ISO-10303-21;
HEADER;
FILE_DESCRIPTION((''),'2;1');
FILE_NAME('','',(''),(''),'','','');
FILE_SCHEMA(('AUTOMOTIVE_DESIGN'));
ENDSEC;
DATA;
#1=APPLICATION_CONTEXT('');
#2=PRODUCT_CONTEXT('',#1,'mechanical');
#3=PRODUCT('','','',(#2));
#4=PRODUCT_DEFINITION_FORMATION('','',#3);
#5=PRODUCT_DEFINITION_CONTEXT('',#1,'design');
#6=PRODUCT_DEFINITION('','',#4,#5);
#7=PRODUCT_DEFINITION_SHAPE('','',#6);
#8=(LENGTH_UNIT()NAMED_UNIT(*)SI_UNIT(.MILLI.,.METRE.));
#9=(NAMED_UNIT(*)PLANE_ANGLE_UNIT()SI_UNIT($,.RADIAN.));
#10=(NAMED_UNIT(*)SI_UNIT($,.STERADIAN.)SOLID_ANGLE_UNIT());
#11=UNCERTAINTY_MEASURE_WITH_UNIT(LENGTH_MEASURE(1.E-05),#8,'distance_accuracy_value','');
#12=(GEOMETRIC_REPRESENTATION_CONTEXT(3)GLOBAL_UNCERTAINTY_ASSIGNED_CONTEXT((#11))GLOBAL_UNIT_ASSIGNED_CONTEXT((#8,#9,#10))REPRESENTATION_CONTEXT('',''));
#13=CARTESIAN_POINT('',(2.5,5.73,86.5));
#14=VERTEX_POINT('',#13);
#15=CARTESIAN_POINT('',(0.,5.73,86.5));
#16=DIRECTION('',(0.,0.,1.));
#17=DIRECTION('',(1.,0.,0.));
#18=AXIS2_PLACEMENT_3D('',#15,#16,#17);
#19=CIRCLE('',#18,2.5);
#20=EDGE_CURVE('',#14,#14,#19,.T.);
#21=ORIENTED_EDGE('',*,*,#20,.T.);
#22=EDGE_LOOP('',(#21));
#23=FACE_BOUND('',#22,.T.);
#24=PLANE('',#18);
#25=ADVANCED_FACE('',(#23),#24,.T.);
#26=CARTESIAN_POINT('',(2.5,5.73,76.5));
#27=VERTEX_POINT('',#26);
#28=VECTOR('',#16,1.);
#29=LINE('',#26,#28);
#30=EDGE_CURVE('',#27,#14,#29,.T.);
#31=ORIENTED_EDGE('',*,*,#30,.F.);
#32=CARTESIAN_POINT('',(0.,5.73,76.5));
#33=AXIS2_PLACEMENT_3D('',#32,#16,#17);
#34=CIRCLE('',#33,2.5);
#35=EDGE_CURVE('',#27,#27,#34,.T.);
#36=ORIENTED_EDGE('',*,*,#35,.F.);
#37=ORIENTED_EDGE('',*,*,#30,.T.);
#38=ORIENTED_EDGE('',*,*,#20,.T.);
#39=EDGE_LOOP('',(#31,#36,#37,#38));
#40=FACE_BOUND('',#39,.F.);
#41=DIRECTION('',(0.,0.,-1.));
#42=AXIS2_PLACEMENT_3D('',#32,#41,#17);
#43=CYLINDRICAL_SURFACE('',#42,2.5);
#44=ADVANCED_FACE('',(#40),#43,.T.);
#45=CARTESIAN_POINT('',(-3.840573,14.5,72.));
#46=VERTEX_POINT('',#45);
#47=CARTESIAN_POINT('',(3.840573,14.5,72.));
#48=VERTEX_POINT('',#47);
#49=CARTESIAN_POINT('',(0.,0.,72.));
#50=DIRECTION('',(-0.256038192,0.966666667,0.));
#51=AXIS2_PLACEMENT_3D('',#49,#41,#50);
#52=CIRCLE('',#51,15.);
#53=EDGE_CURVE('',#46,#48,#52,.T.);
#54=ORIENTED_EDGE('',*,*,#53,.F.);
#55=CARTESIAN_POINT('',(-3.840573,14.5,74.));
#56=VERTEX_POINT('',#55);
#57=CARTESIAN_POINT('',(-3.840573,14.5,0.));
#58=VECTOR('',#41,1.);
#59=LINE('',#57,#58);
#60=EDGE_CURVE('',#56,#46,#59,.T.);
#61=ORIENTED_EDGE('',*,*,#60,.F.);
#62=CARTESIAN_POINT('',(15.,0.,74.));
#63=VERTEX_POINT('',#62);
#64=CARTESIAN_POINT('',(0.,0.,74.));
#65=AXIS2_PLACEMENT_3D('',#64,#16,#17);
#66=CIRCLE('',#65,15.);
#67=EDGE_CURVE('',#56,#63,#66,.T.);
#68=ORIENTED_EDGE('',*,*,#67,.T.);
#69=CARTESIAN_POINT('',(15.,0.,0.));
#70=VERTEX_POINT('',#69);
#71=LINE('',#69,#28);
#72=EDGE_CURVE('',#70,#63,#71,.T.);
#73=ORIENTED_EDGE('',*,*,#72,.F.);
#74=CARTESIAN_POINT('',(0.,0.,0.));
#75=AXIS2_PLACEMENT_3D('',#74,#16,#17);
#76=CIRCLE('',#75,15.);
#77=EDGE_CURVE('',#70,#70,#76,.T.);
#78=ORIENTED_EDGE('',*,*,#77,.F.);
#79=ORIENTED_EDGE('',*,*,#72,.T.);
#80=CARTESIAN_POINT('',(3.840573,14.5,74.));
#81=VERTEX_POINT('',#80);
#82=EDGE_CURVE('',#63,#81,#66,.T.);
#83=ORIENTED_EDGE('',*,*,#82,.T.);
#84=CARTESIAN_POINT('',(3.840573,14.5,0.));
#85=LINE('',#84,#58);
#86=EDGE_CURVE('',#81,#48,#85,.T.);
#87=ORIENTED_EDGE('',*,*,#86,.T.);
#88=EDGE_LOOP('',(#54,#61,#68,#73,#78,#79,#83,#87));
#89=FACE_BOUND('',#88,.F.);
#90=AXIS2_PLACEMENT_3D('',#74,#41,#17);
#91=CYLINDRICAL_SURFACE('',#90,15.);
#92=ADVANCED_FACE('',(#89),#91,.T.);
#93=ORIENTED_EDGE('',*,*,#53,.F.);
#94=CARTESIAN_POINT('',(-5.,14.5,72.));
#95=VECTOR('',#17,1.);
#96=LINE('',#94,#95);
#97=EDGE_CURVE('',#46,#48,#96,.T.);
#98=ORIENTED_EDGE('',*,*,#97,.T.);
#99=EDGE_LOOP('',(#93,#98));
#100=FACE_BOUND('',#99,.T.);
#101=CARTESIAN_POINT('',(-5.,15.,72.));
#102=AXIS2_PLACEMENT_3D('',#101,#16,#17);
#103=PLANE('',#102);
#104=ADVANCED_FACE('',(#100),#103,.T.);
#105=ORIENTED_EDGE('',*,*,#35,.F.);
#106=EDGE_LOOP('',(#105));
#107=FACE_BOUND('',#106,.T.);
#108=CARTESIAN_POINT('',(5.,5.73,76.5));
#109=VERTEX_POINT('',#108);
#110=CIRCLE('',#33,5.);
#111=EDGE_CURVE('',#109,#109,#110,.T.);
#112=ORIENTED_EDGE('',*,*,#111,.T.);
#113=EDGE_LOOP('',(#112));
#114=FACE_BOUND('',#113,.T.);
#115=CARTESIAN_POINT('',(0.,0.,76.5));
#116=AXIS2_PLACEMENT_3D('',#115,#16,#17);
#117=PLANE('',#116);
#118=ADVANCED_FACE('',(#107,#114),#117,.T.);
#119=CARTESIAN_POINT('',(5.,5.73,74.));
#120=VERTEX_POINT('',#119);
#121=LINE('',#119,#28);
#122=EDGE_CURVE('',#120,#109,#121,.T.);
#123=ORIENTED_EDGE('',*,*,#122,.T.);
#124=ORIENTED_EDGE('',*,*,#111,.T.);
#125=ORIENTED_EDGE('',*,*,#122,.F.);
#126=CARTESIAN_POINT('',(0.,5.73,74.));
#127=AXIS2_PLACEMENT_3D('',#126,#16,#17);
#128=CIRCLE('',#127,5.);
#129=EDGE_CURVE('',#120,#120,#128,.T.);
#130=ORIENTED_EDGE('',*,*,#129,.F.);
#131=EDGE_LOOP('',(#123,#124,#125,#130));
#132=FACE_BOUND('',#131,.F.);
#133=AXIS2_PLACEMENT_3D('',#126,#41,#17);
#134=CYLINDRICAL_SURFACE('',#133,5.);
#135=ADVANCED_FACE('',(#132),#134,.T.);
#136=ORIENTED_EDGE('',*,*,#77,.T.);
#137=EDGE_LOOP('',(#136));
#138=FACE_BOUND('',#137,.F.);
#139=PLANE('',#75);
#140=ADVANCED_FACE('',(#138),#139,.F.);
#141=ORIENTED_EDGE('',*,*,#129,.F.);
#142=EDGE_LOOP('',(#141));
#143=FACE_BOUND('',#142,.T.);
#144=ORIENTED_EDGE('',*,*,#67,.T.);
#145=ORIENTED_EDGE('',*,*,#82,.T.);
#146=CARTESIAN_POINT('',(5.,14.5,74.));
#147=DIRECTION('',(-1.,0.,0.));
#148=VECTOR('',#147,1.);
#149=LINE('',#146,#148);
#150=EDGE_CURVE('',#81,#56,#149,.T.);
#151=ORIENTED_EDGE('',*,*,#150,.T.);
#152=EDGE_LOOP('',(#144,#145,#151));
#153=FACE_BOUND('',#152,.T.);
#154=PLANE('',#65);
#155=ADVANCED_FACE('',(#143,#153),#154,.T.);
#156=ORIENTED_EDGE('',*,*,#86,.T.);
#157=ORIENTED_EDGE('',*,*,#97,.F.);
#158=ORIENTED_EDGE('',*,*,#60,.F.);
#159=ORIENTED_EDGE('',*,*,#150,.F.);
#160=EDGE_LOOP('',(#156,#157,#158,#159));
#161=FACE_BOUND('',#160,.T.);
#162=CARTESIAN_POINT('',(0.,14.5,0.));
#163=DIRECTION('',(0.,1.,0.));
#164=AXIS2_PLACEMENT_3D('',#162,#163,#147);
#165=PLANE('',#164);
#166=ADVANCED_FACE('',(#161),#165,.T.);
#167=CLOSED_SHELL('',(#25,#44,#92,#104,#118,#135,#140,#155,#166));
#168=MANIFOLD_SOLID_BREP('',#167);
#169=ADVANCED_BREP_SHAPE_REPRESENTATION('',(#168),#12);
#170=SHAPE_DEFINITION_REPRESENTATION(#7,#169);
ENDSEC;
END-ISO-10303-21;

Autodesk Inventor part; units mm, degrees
ref_plane "YZ Plane" through (0, 0, 0) normal (1, 0, 0) x (0, 1, 0)
ref_plane "XY Plane" through (0, 0, 0) normal (0, 0, 1) x (1, 0, 0)
sketch "Sketch1" plane through (0, 0, 0) normal (0, 0, 1) x (1, 0, 0)
  circle A0 centre (0, 0) radius 15
  dimension "d0" = 30
extrude "Extrusion1" add sketch "Sketch1" along normal blind 74
sketch "Sketch2" plane through (0, 0, 74) normal (0, 0, 1) x (1, 0, 0)
  circle A0 centre (0, 0) radius 15 projected
  circle A1 centre (0, 5.73) radius 5
  dimension "d3" = 10
  dimension "d4" = 15.73
extrude "Extrusion2" add sketch "Sketch2" along normal blind 2.5 contours A1
sketch "Sketch3" plane through (0, 5.73, 76.5) normal (0, 0, 1) x (1, 0, 0)
  circle A0 centre (0, 0) radius 5 projected
  circle A1 centre (0, 0) radius 2.5
  point P0 (0, -5.73)
  dimension "d7" = 5
extrude "Extrusion3" add sketch "Sketch3" along normal blind 10 contours A1
sketch "Sketch4" plane through (0, 0, 0) normal (0, 1, 0) x (-1, 0, 0)
  point P0 (0, 0)
ref_plane "Work Plane1" through (0, 15, 0) normal (0, 1, 0) x (-1, 0, 0)
sketch "Sketch5" plane through (0, 15, 0) normal (0, 1, 0) x (-1, 0, 0)
  line L0 (-5, 74) -> (5, 74)
  line L1 (5, 74) -> (5, 72)
  line L2 (5, 72) -> (-5, 72)
  line L3 (-5, 72) -> (-5, 74)
  line L4 (-15, 74) -> (15, 74) projected
  point P0 (0, 0)
  point P1 (0, 74)
  dimension "d11" = 10
  dimension "d12" = 2
extrude "Extrusion4" cut sketch "Sketch5" against normal blind 0.5
properties part number "Hjul Motor"
